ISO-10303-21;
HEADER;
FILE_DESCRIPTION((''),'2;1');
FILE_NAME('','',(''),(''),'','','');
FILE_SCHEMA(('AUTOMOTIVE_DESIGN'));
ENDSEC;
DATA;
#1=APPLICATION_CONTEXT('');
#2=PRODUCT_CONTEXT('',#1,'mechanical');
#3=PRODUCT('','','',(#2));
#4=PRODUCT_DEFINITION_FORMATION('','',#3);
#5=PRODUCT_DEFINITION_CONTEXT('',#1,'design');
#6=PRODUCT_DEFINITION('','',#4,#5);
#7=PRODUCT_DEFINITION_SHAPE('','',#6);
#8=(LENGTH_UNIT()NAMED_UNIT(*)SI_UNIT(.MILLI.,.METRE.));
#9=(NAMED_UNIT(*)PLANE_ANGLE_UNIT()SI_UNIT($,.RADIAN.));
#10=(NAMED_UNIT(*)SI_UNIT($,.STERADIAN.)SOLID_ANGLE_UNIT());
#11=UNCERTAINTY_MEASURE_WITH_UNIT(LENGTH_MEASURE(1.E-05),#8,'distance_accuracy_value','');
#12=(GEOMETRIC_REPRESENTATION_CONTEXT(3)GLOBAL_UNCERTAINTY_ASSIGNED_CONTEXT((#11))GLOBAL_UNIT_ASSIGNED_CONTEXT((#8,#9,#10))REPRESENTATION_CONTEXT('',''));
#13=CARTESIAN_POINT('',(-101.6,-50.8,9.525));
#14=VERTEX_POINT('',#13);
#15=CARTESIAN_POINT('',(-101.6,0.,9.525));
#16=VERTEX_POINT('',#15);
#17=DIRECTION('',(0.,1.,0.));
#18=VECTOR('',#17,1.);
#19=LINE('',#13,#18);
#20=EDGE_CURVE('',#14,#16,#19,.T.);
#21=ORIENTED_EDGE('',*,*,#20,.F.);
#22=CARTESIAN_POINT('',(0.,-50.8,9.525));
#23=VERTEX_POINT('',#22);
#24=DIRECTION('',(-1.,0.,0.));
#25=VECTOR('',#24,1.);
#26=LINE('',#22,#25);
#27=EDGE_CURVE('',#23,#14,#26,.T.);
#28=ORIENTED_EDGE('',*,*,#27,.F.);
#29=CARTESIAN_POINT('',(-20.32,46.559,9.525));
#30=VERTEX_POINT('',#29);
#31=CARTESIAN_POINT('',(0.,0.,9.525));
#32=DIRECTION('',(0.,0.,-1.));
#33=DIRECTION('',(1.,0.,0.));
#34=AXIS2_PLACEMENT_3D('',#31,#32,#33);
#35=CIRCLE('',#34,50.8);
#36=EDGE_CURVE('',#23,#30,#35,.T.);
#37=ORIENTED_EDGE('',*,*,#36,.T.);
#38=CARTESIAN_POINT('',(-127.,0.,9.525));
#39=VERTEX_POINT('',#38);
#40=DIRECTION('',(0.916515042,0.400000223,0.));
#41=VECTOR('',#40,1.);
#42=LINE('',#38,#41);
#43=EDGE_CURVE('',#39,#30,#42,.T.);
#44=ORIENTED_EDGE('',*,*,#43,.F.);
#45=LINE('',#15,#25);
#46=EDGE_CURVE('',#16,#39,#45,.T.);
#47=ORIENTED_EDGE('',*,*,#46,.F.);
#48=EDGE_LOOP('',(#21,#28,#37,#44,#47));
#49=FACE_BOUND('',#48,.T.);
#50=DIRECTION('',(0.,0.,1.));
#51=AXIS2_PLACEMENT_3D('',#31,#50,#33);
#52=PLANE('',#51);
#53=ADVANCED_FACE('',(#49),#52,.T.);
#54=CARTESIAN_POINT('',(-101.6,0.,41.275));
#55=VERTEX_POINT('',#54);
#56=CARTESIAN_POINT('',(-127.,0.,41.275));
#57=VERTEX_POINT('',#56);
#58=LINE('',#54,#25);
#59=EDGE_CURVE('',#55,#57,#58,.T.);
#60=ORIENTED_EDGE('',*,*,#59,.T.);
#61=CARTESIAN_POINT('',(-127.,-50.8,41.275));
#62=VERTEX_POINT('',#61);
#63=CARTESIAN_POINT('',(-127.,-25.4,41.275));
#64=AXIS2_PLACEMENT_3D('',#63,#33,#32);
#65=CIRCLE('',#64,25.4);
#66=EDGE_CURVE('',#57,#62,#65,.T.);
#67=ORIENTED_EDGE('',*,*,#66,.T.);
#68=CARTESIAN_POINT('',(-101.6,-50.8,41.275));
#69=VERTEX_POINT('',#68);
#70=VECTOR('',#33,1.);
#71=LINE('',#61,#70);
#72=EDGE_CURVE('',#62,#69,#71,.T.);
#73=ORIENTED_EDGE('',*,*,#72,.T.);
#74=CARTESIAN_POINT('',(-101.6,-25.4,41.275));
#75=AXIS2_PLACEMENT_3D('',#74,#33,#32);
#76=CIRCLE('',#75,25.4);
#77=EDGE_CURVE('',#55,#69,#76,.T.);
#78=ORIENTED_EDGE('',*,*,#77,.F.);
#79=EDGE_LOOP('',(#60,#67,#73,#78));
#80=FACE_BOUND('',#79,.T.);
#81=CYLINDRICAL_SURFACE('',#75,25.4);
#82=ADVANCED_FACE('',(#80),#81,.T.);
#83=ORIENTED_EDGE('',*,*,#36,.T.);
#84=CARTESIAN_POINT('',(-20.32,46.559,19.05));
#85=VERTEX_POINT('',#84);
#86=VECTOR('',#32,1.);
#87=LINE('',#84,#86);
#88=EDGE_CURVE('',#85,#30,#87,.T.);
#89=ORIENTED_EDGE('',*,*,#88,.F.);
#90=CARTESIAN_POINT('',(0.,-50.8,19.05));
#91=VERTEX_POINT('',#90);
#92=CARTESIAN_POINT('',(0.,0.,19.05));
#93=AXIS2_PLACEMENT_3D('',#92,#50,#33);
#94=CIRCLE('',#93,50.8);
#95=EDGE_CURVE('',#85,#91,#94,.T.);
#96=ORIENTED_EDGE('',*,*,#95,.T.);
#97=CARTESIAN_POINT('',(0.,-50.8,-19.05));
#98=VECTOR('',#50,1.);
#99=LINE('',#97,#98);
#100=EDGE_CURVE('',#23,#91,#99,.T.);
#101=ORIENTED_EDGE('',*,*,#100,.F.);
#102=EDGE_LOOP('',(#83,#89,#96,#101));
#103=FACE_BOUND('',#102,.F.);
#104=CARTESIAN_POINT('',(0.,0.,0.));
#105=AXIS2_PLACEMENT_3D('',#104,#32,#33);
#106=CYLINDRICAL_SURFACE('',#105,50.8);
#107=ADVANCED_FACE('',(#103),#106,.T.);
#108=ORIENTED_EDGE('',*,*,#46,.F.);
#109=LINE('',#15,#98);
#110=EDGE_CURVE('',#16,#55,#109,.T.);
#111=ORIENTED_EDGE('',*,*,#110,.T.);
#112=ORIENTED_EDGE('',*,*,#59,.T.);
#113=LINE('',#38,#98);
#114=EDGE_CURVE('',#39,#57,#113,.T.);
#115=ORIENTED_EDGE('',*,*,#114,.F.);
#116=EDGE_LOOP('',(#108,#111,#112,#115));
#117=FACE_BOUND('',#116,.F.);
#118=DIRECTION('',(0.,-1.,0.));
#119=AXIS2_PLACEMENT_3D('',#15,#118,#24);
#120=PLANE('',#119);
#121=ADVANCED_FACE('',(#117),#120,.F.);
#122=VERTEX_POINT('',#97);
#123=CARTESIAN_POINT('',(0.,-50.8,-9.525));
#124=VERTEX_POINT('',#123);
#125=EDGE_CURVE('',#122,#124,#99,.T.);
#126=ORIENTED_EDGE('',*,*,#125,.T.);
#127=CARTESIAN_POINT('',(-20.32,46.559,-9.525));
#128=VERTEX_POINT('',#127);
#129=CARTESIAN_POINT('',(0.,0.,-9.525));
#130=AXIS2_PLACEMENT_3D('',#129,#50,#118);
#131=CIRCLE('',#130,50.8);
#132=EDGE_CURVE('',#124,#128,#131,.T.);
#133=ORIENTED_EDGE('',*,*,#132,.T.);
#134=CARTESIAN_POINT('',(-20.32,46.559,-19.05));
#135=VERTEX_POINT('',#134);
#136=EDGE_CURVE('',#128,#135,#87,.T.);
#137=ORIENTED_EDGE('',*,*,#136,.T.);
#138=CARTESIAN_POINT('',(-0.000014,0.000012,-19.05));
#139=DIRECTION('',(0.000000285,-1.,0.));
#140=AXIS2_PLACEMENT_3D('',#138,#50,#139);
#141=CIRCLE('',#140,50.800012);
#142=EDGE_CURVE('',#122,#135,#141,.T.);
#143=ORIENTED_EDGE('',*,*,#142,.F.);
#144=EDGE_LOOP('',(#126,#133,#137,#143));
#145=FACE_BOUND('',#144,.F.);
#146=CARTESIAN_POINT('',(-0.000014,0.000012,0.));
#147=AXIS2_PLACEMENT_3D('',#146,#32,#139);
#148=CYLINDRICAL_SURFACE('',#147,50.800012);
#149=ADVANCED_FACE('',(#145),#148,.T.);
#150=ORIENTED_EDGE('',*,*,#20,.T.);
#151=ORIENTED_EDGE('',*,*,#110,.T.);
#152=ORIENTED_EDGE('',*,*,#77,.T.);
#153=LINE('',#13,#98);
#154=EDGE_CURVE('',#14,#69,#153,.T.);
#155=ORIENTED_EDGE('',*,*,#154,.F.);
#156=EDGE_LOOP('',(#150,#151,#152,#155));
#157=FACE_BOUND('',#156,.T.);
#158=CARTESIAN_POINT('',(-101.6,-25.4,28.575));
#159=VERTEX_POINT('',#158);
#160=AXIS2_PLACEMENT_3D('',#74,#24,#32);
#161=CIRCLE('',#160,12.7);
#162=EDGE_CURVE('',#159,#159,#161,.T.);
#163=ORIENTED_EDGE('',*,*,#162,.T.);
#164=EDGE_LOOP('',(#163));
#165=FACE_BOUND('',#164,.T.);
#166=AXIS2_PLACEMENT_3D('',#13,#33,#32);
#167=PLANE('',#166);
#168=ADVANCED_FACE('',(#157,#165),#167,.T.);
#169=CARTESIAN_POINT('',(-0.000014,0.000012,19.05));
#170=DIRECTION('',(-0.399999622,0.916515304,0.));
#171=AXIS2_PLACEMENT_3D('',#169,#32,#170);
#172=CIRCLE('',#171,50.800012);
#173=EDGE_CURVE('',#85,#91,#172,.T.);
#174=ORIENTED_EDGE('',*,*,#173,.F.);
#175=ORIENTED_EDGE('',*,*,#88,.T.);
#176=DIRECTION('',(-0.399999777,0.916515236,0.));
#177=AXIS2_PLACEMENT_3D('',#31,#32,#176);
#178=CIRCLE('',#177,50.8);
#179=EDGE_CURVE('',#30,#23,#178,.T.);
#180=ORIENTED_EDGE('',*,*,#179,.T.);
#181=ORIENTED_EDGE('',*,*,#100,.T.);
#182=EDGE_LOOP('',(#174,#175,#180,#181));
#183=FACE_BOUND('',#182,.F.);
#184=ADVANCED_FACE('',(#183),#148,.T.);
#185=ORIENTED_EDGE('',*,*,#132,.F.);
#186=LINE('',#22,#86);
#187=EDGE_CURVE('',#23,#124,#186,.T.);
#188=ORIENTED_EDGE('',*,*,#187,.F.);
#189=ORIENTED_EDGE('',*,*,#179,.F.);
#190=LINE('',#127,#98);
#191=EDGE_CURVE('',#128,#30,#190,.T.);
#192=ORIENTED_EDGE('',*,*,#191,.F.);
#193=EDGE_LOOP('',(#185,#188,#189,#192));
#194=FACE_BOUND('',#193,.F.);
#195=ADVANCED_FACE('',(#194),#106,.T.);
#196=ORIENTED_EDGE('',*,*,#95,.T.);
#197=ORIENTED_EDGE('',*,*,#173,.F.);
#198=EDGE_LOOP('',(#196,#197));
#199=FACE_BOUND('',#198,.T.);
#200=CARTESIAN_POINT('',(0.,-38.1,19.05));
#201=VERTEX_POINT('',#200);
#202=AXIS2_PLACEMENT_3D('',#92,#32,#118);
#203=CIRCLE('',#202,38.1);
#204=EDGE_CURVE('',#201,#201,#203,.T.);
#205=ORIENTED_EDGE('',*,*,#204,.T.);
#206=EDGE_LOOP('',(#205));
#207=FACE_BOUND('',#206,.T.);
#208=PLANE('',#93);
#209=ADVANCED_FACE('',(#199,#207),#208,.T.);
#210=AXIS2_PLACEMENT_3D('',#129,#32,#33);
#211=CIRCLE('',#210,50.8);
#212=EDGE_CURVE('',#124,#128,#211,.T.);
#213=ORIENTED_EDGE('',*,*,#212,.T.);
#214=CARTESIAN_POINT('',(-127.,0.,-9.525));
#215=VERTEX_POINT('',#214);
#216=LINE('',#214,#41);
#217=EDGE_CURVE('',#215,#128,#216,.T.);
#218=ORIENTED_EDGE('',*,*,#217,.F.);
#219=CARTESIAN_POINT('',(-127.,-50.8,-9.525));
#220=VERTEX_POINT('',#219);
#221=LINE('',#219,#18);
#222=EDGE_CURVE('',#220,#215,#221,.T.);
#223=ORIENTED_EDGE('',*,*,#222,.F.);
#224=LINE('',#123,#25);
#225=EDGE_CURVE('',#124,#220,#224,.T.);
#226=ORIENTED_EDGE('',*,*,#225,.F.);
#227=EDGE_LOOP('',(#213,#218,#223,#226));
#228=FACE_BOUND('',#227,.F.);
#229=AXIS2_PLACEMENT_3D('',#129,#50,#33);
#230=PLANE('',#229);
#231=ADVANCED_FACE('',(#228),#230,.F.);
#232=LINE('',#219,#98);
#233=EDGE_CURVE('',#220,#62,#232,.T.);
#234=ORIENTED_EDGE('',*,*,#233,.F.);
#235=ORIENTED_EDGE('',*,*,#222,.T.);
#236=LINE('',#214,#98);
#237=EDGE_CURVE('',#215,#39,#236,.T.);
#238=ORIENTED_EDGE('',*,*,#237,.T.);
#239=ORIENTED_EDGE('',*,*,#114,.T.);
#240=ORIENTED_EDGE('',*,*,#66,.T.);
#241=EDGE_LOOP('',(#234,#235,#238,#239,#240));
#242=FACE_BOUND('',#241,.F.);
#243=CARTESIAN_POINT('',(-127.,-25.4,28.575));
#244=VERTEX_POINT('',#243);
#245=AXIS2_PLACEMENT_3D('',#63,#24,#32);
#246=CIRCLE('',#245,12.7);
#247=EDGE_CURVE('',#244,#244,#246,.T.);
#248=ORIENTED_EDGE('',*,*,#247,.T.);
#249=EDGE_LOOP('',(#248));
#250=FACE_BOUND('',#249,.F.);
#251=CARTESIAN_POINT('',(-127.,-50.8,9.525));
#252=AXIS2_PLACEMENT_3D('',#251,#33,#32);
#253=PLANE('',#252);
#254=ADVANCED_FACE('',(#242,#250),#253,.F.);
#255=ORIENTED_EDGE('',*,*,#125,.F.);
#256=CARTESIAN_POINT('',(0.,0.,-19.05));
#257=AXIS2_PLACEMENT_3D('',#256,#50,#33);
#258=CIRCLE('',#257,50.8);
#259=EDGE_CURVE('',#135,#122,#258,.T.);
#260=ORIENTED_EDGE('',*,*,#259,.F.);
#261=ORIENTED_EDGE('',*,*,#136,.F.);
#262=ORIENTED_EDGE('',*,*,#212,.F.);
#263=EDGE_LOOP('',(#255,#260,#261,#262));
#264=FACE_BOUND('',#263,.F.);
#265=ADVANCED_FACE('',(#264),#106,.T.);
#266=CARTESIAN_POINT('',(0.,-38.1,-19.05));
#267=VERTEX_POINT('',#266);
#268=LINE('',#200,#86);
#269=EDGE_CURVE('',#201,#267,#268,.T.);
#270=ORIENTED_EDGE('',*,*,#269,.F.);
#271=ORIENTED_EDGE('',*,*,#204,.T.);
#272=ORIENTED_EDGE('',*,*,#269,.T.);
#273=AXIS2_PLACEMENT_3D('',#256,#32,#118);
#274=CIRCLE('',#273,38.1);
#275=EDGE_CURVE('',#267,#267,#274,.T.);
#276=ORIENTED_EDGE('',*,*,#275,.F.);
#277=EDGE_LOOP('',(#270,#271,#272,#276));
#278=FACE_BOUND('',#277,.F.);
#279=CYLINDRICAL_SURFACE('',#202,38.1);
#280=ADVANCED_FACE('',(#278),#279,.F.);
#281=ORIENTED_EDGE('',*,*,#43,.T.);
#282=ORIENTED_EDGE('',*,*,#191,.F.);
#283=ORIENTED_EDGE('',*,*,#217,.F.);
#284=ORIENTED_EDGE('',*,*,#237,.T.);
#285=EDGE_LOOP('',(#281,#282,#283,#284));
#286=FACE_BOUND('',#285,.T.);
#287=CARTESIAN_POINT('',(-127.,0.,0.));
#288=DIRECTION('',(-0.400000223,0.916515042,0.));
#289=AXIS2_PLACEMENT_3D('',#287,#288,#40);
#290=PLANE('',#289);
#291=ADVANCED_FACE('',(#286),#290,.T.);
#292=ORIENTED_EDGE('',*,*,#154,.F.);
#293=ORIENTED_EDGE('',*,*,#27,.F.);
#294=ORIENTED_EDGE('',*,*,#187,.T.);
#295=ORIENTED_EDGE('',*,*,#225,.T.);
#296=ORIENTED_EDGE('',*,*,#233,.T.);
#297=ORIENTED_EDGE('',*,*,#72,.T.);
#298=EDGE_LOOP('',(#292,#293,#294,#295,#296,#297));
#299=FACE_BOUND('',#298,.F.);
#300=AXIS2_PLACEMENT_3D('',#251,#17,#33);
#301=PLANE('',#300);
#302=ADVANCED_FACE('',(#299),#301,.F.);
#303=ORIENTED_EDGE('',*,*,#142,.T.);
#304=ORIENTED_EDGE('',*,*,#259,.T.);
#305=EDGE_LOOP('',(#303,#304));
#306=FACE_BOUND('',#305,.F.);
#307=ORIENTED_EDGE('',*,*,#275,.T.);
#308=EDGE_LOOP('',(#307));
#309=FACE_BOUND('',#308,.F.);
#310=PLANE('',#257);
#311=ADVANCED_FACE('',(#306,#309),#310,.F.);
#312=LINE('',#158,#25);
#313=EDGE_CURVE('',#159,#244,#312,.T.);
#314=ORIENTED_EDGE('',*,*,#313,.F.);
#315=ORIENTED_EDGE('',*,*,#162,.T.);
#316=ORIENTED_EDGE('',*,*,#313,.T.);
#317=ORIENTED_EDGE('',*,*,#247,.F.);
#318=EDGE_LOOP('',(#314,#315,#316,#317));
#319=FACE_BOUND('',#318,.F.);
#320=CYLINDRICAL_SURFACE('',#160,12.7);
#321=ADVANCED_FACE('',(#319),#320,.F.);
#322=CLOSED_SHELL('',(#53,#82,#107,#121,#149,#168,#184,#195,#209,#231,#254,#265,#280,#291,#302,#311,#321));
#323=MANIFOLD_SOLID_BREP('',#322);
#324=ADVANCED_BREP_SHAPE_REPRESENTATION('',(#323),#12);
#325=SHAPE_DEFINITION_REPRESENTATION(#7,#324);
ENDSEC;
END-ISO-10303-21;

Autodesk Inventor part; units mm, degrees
ref_plane "YZ Plane" through (0, 0, 0) normal (1, 0, 0) x (0, 1, 0)
ref_plane "XZ Plane" through (0, 0, 0) normal (0, 1, 0) x (-1, 0, 0)
ref_plane "XY Plane" through (0, 0, 0) normal (0, 0, 1) x (1, 0, 0)
sketch "Sketch1" plane through (0, 0, 0) normal (0, 0, 1) x (1, 0, 0)
  circle A0 centre (0, 0) radius 50.8
  line L0 (0, -50.8) -> (-127, -50.8)
  line L1 (-127, -50.8) -> (-127, 0)
  line L2 (-127, 0) -> (-20.32, 46.559)
  dimension "d0" = 127
  dimension "d1" = 101.6
  dimension "d2" = 50.8
extrude "MAIN BODY" add sketch "Sketch1" along normal mid plane 19.05
sketch "Sketch2" plane through (0, 0, 0) normal (0, 0, 1) x (1, 0, 0)
  arc A0 (0, -50.8) -> (-20.32, 46.559) centre (0, 0) ccw projected
  circle A1 centre (0, 0) radius 50.8
  point P0 (0, -50.8)
  dimension "d5" = 101.6
extrude "MAIN BODY LIP" add sketch "Sketch2" along normal mid plane 38.1
sketch "Sketch3" plane through (0, 0, 9.525) normal (0, 0, 1) x (1, 0, 0)
  line L0 (-127, -50.8) -> (0, -50.8) projected
  line L1 (-127, -50.8) -> (-101.6, -50.8)
  line L2 (-101.6, -50.8) -> (-101.6, 0)
  line L3 (-101.6, 0) -> (-127, 0)
  line L4 (-127, 0) -> (-127, -50.8)
  point P0 (0, 0)
  point P1 (-101.6, -25.4)
  dimension "d8" = 25.4
  dimension "d9" = 50.8
extrude "SIDE EXT" add sketch "Sketch3" along normal blind 31.75
sketch "Sketch4" plane through (-101.6, -50.8, 9.525) normal (1, 0, 0) x (0, 0, -1)
  line L0 (-31.75, 0) -> (-31.75, 50.8) projected
  circle A0 centre (-31.75, 25.4) radius 25.4
  point P0 (9.525, 50.8)
extrude "SIDE EXT CURVE" add sketch "Sketch4" against normal blind 25.4 contours A0 L0 picked at (-40.1549, 26.4205)
sketch "Sketch5" plane through (-101.6, -50.8, 9.525) normal (1, 0, 0) x (0, 0, -1)
  arc A0 (-31.75, 50.8) -> (-31.75, 0) centre (-31.75, 25.4) ccw projected
  point P0 (9.525, 50.8)
hole "SIDE EXT HOLE" at (-101.6, -25.4, 41.275) direction (-1, 0, 0) diameter 25.4 end through all
sketch "Sketch6" plane through (0, 0, 19.05) normal (0, 0, 1) x (1, 0, 0)
  circle A0 centre (0, 0) radius 50.8 projected
hole "MAIN BODY HOLE" at (0, 0, 19.05) direction (0, 0, -1) diameter 76.2 end through all
properties part number "ANS7-4-BK" material "PET Plastic"
